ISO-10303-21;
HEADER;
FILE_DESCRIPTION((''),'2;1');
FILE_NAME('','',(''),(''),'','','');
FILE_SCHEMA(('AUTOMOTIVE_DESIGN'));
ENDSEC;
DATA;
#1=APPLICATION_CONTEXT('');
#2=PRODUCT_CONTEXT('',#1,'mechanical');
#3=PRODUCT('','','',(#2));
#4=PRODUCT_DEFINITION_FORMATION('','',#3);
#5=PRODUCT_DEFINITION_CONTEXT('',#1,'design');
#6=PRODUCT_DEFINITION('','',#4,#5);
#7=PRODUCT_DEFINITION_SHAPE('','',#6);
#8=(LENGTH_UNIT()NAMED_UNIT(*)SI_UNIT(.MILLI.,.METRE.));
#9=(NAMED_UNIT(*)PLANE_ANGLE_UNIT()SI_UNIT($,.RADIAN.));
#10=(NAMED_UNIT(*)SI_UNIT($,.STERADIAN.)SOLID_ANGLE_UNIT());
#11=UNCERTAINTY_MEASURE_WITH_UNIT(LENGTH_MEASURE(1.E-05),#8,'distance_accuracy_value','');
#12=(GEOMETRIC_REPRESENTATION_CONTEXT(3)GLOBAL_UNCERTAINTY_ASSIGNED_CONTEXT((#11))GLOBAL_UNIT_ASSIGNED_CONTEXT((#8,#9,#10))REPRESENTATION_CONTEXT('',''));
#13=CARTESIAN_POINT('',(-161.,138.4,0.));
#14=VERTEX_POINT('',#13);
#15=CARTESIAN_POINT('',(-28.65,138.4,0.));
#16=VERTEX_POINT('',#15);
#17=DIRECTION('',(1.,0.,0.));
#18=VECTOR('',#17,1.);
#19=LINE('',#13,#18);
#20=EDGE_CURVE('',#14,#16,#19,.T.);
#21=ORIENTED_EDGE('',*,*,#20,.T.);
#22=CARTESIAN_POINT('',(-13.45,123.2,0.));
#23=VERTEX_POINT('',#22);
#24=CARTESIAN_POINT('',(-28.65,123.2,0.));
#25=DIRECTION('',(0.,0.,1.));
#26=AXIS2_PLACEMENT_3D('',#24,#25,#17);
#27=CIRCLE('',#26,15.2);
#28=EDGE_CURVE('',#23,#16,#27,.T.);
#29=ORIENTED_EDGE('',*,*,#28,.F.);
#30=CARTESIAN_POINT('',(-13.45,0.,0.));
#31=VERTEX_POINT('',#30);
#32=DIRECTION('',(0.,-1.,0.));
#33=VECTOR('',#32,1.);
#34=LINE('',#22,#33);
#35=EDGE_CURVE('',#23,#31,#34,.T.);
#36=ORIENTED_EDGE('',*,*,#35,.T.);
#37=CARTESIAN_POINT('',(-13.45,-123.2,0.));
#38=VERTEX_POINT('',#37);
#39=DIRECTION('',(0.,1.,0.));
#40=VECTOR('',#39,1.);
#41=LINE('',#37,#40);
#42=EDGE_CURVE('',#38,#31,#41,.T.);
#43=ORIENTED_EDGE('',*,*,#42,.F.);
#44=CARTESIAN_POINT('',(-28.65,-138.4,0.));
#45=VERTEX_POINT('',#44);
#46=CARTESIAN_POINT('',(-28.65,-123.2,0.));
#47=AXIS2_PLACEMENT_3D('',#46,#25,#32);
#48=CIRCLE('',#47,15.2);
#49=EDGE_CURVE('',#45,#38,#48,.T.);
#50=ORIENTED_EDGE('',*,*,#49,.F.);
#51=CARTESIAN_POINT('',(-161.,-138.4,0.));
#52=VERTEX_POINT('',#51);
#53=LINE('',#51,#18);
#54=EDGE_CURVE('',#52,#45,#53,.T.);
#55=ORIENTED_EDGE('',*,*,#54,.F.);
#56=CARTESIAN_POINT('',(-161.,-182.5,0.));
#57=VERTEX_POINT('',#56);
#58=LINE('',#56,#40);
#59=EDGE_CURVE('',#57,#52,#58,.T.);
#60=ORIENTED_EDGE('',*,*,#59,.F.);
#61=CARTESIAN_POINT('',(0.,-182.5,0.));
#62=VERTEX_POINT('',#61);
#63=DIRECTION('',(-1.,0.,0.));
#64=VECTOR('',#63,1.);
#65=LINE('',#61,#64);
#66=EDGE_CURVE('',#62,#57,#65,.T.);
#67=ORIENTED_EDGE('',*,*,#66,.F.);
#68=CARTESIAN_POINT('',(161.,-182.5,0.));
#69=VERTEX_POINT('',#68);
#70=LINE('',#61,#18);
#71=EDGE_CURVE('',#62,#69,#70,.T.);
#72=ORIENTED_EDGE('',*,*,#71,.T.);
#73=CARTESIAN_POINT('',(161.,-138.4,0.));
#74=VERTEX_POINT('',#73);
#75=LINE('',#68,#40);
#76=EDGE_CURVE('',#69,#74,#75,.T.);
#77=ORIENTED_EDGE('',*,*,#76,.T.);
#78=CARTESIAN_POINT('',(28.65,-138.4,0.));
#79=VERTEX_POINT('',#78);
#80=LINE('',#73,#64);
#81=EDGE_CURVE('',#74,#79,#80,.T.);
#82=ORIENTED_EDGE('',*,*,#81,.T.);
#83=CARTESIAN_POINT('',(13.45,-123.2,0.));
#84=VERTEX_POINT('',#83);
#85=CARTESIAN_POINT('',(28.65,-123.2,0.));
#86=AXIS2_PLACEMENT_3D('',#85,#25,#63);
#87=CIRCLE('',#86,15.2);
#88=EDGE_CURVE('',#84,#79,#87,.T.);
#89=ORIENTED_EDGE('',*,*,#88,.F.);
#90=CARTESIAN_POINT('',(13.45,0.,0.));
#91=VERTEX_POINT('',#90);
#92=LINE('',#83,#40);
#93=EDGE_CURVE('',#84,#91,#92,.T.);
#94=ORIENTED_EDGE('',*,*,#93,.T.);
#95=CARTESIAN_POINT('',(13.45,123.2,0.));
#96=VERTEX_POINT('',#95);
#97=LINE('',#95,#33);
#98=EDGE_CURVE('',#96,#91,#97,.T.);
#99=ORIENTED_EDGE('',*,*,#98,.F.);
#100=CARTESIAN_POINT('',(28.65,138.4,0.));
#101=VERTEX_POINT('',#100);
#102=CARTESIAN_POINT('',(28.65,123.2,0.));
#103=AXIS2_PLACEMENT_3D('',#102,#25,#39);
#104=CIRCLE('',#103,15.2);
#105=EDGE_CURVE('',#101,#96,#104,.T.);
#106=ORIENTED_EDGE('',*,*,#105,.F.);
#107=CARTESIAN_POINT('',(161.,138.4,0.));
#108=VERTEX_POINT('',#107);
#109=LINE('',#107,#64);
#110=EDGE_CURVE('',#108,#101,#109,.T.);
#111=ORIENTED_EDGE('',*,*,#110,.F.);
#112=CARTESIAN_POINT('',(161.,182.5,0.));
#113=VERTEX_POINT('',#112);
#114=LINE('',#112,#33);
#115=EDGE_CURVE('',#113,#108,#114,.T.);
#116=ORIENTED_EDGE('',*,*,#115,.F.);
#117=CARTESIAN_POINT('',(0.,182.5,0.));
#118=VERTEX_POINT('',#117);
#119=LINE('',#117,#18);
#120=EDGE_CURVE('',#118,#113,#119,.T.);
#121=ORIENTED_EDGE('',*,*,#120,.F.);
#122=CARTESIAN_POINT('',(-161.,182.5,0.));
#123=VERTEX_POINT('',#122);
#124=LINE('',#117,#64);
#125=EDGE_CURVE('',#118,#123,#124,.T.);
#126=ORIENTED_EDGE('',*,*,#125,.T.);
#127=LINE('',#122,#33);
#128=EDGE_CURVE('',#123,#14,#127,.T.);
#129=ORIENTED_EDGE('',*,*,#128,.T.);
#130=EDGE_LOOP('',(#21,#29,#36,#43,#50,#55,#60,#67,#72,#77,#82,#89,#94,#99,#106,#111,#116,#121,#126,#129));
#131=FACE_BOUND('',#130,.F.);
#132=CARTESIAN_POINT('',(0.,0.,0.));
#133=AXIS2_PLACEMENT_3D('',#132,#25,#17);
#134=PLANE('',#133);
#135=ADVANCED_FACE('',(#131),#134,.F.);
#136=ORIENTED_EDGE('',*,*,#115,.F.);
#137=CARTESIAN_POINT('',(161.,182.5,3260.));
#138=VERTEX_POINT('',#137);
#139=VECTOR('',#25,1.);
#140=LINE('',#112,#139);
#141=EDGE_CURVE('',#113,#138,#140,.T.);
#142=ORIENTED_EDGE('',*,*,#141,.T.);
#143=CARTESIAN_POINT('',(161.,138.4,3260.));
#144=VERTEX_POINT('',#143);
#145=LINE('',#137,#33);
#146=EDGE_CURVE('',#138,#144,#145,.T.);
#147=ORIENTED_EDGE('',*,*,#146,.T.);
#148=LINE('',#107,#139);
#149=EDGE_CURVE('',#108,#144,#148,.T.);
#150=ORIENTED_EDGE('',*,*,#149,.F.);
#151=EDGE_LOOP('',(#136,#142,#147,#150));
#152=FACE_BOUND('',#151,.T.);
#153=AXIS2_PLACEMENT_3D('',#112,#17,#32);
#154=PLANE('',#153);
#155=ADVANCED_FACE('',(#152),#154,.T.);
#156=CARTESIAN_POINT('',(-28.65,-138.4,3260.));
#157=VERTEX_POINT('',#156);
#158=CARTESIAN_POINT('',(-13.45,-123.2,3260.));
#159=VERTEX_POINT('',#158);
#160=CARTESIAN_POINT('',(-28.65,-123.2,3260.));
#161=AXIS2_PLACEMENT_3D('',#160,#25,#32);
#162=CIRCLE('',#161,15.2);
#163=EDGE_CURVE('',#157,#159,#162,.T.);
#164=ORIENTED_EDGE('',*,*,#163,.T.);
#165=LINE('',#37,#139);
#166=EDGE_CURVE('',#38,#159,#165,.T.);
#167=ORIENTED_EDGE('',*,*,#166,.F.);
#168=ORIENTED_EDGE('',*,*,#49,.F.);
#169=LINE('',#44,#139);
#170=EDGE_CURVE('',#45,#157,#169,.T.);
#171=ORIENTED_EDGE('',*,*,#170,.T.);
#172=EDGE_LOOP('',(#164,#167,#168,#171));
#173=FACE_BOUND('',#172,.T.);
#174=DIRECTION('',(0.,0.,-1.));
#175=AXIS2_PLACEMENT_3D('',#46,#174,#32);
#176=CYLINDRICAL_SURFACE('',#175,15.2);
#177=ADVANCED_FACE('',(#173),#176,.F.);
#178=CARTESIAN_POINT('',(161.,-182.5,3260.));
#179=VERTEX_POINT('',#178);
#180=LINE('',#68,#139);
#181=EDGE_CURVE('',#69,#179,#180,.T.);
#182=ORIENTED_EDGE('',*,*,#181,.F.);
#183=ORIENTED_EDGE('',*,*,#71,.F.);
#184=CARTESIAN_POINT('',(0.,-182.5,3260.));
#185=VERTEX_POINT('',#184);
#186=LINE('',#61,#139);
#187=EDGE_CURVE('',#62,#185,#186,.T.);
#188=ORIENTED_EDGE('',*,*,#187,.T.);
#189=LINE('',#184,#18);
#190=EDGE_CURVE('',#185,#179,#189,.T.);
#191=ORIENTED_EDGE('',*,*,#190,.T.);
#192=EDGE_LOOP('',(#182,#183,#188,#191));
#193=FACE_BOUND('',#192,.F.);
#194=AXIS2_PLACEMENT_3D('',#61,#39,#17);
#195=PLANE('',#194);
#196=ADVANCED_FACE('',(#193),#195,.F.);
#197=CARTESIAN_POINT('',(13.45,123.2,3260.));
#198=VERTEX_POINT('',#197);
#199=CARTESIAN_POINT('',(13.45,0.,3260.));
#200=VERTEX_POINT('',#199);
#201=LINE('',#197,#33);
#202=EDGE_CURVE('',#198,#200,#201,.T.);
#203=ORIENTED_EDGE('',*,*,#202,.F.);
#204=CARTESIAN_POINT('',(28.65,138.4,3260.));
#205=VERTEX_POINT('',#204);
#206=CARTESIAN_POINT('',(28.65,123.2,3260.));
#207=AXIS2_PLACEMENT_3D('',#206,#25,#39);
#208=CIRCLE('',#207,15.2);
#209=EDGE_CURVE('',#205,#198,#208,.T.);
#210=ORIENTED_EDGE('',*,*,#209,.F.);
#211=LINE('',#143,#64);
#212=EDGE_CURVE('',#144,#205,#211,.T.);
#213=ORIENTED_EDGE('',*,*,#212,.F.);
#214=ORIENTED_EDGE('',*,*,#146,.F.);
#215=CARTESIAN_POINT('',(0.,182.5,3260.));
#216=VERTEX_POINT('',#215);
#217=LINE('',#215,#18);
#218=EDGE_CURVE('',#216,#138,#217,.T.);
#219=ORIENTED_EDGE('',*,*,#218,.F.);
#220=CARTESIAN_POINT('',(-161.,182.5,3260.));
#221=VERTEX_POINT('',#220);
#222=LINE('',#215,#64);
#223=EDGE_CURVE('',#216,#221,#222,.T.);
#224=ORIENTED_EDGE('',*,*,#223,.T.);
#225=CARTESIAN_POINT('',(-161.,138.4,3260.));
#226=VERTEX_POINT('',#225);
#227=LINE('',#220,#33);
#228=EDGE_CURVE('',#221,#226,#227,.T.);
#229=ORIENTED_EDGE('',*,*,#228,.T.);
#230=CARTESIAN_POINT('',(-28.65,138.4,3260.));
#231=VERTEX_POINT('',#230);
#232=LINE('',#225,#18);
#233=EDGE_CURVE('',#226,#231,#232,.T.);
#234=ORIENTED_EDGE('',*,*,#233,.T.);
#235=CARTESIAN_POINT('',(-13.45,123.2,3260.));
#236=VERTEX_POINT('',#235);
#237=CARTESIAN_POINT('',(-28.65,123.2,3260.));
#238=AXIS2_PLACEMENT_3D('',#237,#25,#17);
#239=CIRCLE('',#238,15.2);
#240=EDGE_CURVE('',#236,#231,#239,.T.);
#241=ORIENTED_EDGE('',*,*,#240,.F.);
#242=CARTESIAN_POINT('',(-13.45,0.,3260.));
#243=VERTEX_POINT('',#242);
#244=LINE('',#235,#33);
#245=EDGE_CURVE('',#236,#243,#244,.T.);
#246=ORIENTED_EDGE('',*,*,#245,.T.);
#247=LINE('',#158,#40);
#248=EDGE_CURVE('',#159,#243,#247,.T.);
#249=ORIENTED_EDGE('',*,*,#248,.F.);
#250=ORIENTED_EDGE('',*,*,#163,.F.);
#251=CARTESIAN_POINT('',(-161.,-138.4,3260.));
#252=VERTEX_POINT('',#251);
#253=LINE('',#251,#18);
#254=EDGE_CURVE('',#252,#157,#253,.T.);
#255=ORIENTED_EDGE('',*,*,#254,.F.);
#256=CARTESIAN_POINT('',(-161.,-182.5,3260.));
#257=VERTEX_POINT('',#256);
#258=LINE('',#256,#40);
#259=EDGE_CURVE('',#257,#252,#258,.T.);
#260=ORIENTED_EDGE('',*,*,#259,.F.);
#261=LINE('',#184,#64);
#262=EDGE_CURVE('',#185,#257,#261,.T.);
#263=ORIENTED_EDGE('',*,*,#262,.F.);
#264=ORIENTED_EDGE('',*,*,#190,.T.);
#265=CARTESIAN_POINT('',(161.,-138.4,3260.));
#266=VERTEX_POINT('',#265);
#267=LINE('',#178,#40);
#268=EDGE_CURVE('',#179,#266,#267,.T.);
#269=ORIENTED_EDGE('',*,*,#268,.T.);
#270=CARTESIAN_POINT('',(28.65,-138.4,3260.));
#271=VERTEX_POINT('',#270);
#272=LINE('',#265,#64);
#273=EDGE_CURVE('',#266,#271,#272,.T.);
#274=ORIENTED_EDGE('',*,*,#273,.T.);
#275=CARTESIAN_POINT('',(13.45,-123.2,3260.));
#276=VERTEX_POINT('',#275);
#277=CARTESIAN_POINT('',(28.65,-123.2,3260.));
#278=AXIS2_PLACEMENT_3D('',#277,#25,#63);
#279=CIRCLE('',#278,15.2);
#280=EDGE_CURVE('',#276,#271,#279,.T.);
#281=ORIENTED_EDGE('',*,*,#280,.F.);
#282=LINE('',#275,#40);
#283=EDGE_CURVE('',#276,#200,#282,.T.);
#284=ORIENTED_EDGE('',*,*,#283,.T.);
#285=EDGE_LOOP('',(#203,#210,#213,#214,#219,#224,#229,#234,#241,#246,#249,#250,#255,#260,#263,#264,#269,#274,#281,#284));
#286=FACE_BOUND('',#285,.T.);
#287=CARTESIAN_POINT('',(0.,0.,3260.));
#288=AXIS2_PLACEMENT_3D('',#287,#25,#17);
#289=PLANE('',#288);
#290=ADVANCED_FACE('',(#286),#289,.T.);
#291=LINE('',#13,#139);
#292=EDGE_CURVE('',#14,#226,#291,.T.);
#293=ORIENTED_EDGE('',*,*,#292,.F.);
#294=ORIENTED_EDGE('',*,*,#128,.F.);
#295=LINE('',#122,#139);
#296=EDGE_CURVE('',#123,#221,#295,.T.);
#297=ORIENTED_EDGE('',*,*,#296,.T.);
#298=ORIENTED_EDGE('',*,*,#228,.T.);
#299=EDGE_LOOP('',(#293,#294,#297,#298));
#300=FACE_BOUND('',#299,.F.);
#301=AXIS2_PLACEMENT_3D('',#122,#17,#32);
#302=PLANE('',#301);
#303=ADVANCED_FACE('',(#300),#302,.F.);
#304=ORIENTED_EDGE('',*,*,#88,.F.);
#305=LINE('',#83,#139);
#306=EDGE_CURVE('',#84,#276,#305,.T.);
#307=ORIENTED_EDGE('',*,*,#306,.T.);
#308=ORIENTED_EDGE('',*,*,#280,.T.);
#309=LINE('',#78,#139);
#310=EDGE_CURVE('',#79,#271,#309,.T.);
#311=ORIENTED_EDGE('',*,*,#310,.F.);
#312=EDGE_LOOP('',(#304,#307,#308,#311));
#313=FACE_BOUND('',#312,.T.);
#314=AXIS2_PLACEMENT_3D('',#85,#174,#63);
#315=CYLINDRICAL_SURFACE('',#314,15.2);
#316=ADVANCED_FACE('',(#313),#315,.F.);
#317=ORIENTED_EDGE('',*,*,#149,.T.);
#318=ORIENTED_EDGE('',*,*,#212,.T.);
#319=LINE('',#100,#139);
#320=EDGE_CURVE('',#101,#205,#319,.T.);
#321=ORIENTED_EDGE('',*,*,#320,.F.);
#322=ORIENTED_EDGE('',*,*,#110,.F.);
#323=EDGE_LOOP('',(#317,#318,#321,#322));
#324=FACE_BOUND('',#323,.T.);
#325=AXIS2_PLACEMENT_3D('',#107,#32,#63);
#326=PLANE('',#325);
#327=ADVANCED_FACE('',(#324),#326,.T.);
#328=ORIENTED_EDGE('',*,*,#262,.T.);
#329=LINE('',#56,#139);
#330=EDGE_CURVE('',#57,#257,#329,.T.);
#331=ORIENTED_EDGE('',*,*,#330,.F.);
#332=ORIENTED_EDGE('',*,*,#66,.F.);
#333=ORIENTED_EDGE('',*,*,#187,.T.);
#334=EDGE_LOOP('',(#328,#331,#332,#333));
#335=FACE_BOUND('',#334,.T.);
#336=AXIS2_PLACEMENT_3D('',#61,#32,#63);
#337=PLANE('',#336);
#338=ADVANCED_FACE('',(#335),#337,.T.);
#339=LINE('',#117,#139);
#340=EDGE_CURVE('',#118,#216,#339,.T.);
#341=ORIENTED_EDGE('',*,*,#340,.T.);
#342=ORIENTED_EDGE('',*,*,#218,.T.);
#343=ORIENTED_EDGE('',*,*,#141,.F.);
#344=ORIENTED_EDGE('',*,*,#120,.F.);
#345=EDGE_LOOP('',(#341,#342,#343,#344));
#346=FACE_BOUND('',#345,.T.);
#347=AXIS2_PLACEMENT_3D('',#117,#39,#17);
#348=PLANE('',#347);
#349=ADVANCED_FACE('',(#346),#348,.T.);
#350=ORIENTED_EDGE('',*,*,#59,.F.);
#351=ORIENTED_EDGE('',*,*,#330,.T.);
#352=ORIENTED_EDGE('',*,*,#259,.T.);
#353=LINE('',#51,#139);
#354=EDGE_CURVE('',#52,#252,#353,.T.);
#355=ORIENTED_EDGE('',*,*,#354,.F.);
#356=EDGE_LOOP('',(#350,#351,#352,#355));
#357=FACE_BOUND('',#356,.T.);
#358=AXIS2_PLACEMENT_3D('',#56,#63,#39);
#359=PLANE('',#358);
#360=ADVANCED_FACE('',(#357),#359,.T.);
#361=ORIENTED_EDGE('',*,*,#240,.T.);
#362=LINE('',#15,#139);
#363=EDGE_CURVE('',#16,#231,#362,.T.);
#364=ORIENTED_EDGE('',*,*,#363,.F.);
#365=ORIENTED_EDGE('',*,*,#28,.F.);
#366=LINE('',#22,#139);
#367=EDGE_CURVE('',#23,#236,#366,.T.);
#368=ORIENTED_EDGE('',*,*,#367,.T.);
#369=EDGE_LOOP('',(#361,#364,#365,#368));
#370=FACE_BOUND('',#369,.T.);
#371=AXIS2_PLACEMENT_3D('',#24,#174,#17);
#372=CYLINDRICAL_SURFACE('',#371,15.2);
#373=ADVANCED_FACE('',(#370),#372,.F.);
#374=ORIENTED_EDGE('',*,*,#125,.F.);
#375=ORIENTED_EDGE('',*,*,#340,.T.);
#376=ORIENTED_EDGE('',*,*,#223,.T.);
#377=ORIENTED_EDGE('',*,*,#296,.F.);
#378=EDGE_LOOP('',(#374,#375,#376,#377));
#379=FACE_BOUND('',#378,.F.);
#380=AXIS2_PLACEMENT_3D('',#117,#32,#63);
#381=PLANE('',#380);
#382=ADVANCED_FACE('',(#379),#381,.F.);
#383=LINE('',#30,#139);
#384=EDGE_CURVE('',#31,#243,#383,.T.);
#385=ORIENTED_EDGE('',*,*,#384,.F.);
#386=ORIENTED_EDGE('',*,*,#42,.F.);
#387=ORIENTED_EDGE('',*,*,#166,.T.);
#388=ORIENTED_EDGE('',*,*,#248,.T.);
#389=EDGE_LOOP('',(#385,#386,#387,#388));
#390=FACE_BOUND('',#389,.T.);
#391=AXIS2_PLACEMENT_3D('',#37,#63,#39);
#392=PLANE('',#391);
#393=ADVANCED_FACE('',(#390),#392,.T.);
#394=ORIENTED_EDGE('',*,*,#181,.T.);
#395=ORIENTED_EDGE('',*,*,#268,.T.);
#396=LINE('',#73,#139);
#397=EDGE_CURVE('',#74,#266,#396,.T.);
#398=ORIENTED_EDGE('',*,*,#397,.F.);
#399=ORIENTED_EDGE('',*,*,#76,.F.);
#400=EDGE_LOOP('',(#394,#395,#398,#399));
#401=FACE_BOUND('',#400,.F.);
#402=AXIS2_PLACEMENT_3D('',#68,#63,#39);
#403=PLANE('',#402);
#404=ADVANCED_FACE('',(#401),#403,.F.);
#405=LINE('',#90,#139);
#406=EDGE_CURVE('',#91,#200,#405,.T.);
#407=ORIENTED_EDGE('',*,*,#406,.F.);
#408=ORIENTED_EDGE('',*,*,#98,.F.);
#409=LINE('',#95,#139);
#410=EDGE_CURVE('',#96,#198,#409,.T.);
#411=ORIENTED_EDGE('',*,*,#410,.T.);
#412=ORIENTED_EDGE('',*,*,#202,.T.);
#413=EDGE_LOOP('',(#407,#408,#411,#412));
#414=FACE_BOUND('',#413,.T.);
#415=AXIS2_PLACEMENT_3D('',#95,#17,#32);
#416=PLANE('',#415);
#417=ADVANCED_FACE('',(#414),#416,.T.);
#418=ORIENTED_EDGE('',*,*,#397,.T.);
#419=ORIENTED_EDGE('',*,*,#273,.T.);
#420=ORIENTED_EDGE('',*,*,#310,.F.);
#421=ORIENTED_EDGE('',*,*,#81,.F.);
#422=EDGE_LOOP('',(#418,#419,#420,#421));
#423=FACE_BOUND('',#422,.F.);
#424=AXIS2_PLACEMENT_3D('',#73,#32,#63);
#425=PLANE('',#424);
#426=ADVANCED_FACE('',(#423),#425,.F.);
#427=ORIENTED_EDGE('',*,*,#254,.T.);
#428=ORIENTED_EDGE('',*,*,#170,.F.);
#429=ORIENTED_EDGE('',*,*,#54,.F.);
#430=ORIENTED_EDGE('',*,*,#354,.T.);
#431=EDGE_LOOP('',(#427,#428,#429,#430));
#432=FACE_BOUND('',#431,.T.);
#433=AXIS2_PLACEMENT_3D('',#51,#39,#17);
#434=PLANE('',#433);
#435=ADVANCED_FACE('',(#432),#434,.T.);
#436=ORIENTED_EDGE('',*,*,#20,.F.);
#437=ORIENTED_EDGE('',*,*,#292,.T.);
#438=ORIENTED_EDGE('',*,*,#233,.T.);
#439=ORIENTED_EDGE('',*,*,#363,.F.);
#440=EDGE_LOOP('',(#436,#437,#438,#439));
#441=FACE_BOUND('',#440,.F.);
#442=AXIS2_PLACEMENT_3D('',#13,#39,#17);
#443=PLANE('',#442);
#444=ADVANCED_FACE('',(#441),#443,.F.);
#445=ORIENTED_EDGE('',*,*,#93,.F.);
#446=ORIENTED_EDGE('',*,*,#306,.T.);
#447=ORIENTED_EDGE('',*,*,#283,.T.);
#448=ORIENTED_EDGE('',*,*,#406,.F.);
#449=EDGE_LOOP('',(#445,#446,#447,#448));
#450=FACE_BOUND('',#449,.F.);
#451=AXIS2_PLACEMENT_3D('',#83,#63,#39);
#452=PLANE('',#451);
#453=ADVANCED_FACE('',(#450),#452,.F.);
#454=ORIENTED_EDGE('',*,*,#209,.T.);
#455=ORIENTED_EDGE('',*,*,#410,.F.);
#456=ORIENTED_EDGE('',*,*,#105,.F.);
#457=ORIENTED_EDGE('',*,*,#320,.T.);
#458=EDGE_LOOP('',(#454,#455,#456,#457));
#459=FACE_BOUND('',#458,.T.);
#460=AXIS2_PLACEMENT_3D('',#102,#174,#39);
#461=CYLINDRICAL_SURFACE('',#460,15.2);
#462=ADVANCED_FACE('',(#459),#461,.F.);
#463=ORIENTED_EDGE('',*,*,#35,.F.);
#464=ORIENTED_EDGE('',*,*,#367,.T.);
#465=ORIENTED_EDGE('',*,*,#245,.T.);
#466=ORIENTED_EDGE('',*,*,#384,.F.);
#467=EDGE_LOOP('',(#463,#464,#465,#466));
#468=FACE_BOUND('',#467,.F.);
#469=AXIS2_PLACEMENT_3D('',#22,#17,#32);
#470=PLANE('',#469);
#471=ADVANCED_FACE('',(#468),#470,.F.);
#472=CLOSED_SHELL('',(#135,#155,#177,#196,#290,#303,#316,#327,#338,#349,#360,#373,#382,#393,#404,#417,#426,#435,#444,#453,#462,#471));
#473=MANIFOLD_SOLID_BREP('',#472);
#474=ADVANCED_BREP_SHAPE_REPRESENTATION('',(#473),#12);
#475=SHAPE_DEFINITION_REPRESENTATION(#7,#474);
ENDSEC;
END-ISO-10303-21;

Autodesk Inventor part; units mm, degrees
ref_plane "YZ Plane" through (0, 0, 0) normal (1, 0, 0) x (0, 1, 0)
ref_plane "Start plane" through (0, 0, 0) normal (0, 0, 1) x (1, 0, 0)
ref_plane "End plane" through (0, 0, 3260) normal (0, 0, 1) x (1, 0, 0)
sketch "Sketch" plane through (0, 0, 0) normal (0, 0, 1) x (1, 0, 0)
  line L0 (-161, -182.5) -> (-161, -138.4)
  line L1 (-161, -138.4) -> (-28.65, -138.4)
  line L2 (-13.45, -123.2) -> (-13.45, 0)
  line L3 (-13.45, 0) -> (0, 0) construction
  line L4 (0, 0) -> (0, -182.5) construction
  line L5 (0, -182.5) -> (-161, -182.5)
  line L6 (-60, 0) -> (80, 0) construction
  line L7 (0, -60) -> (0, 80) construction
  line L8 (161, -182.5) -> (161, -138.4)
  line L9 (161, -138.4) -> (28.65, -138.4)
  line L10 (13.45, -123.2) -> (13.45, 0)
  line L11 (13.45, 0) -> (0, 0) construction
  line L12 (0, -182.5) -> (161, -182.5)
  line L13 (-161, 182.5) -> (-161, 138.4)
  line L14 (-161, 138.4) -> (-28.65, 138.4)
  line L15 (-13.45, 123.2) -> (-13.45, 0)
  line L16 (0, 182.5) -> (-161, 182.5)
  line L17 (161, 182.5) -> (161, 138.4)
  line L18 (161, 138.4) -> (28.65, 138.4)
  line L19 (0, 182.5) -> (161, 182.5)
  line L20 (13.45, 123.2) -> (13.45, 0)
  arc A0 (-13.45, 123.2) -> (-28.65, 138.4) centre (-28.65, 123.2) ccw
  arc A1 (28.65, 138.4) -> (13.45, 123.2) centre (28.65, 123.2) ccw
  arc A2 (13.45, -123.2) -> (28.65, -138.4) centre (28.65, -123.2) ccw
  arc A3 (-28.65, -138.4) -> (-13.45, -123.2) centre (-28.65, -123.2) ccw
  line L21 (0, 108) -> (0, -88) construction
  line L22 (-88, 0) -> (108, 0) construction
  point P0 (-13.45, -138.4)
  point P1 (13.45, -138.4)
  point P2 (-13.45, 138.4)
  point P3 (13.45, 138.4)
  dimension "d1" = 182.5
  dimension "d2" = 44.1
  dimension "d3" = 161
  dimension "d4" = 13.45
  dimension "d10" = 15.2
extrude "Body" add sketch "Sketch" along normal up to surface (3260 mm away) from surface at 0
sketch "Sketch4" plane through (0, 0, 0) normal (0, 0, 1) x (1, 0, 0)
  line L0 (0, 0) -> (10, 0)
ref_plane "Work Plane3" through (0, 0, 0) normal (0, -1, 0) x (1, 0, 0)
sketch "Sketch5" plane through (0, 0, 0) normal (0, -1, 0) x (1, 0, 0)
  line L0 (-2, 0) -> (12, 0) projected
  line L1 (-2, 3260) -> (12, 3260) projected
  dimension "d14" = 3260
equation "\"d1\" = 0.5 * G_H"
equation "\"d2\" = G_T1"
equation "\"d3\" = 0.5 * G_W"
equation "\"d4\" = 0.5 * G_T"
equation "\"d10\" = G_IR"
equation "\"d5\" = G_L"
equation "\"G_W\" = 322"
equation "\"G_H\" = 365"
equation "\"G_T\" = 26.9"
equation "\"G_T1\" = 44.1"
equation "\"G_IR\" = 15.2"
equation "\"G_L\" = d14"
equation "\"G_OFFSET_START\" = 0"
equation "\"G_OFFSET_END\" = 0"
properties part number "AS 3679 - 310 UC - 283 - 3260" material "Steel, Mild"
